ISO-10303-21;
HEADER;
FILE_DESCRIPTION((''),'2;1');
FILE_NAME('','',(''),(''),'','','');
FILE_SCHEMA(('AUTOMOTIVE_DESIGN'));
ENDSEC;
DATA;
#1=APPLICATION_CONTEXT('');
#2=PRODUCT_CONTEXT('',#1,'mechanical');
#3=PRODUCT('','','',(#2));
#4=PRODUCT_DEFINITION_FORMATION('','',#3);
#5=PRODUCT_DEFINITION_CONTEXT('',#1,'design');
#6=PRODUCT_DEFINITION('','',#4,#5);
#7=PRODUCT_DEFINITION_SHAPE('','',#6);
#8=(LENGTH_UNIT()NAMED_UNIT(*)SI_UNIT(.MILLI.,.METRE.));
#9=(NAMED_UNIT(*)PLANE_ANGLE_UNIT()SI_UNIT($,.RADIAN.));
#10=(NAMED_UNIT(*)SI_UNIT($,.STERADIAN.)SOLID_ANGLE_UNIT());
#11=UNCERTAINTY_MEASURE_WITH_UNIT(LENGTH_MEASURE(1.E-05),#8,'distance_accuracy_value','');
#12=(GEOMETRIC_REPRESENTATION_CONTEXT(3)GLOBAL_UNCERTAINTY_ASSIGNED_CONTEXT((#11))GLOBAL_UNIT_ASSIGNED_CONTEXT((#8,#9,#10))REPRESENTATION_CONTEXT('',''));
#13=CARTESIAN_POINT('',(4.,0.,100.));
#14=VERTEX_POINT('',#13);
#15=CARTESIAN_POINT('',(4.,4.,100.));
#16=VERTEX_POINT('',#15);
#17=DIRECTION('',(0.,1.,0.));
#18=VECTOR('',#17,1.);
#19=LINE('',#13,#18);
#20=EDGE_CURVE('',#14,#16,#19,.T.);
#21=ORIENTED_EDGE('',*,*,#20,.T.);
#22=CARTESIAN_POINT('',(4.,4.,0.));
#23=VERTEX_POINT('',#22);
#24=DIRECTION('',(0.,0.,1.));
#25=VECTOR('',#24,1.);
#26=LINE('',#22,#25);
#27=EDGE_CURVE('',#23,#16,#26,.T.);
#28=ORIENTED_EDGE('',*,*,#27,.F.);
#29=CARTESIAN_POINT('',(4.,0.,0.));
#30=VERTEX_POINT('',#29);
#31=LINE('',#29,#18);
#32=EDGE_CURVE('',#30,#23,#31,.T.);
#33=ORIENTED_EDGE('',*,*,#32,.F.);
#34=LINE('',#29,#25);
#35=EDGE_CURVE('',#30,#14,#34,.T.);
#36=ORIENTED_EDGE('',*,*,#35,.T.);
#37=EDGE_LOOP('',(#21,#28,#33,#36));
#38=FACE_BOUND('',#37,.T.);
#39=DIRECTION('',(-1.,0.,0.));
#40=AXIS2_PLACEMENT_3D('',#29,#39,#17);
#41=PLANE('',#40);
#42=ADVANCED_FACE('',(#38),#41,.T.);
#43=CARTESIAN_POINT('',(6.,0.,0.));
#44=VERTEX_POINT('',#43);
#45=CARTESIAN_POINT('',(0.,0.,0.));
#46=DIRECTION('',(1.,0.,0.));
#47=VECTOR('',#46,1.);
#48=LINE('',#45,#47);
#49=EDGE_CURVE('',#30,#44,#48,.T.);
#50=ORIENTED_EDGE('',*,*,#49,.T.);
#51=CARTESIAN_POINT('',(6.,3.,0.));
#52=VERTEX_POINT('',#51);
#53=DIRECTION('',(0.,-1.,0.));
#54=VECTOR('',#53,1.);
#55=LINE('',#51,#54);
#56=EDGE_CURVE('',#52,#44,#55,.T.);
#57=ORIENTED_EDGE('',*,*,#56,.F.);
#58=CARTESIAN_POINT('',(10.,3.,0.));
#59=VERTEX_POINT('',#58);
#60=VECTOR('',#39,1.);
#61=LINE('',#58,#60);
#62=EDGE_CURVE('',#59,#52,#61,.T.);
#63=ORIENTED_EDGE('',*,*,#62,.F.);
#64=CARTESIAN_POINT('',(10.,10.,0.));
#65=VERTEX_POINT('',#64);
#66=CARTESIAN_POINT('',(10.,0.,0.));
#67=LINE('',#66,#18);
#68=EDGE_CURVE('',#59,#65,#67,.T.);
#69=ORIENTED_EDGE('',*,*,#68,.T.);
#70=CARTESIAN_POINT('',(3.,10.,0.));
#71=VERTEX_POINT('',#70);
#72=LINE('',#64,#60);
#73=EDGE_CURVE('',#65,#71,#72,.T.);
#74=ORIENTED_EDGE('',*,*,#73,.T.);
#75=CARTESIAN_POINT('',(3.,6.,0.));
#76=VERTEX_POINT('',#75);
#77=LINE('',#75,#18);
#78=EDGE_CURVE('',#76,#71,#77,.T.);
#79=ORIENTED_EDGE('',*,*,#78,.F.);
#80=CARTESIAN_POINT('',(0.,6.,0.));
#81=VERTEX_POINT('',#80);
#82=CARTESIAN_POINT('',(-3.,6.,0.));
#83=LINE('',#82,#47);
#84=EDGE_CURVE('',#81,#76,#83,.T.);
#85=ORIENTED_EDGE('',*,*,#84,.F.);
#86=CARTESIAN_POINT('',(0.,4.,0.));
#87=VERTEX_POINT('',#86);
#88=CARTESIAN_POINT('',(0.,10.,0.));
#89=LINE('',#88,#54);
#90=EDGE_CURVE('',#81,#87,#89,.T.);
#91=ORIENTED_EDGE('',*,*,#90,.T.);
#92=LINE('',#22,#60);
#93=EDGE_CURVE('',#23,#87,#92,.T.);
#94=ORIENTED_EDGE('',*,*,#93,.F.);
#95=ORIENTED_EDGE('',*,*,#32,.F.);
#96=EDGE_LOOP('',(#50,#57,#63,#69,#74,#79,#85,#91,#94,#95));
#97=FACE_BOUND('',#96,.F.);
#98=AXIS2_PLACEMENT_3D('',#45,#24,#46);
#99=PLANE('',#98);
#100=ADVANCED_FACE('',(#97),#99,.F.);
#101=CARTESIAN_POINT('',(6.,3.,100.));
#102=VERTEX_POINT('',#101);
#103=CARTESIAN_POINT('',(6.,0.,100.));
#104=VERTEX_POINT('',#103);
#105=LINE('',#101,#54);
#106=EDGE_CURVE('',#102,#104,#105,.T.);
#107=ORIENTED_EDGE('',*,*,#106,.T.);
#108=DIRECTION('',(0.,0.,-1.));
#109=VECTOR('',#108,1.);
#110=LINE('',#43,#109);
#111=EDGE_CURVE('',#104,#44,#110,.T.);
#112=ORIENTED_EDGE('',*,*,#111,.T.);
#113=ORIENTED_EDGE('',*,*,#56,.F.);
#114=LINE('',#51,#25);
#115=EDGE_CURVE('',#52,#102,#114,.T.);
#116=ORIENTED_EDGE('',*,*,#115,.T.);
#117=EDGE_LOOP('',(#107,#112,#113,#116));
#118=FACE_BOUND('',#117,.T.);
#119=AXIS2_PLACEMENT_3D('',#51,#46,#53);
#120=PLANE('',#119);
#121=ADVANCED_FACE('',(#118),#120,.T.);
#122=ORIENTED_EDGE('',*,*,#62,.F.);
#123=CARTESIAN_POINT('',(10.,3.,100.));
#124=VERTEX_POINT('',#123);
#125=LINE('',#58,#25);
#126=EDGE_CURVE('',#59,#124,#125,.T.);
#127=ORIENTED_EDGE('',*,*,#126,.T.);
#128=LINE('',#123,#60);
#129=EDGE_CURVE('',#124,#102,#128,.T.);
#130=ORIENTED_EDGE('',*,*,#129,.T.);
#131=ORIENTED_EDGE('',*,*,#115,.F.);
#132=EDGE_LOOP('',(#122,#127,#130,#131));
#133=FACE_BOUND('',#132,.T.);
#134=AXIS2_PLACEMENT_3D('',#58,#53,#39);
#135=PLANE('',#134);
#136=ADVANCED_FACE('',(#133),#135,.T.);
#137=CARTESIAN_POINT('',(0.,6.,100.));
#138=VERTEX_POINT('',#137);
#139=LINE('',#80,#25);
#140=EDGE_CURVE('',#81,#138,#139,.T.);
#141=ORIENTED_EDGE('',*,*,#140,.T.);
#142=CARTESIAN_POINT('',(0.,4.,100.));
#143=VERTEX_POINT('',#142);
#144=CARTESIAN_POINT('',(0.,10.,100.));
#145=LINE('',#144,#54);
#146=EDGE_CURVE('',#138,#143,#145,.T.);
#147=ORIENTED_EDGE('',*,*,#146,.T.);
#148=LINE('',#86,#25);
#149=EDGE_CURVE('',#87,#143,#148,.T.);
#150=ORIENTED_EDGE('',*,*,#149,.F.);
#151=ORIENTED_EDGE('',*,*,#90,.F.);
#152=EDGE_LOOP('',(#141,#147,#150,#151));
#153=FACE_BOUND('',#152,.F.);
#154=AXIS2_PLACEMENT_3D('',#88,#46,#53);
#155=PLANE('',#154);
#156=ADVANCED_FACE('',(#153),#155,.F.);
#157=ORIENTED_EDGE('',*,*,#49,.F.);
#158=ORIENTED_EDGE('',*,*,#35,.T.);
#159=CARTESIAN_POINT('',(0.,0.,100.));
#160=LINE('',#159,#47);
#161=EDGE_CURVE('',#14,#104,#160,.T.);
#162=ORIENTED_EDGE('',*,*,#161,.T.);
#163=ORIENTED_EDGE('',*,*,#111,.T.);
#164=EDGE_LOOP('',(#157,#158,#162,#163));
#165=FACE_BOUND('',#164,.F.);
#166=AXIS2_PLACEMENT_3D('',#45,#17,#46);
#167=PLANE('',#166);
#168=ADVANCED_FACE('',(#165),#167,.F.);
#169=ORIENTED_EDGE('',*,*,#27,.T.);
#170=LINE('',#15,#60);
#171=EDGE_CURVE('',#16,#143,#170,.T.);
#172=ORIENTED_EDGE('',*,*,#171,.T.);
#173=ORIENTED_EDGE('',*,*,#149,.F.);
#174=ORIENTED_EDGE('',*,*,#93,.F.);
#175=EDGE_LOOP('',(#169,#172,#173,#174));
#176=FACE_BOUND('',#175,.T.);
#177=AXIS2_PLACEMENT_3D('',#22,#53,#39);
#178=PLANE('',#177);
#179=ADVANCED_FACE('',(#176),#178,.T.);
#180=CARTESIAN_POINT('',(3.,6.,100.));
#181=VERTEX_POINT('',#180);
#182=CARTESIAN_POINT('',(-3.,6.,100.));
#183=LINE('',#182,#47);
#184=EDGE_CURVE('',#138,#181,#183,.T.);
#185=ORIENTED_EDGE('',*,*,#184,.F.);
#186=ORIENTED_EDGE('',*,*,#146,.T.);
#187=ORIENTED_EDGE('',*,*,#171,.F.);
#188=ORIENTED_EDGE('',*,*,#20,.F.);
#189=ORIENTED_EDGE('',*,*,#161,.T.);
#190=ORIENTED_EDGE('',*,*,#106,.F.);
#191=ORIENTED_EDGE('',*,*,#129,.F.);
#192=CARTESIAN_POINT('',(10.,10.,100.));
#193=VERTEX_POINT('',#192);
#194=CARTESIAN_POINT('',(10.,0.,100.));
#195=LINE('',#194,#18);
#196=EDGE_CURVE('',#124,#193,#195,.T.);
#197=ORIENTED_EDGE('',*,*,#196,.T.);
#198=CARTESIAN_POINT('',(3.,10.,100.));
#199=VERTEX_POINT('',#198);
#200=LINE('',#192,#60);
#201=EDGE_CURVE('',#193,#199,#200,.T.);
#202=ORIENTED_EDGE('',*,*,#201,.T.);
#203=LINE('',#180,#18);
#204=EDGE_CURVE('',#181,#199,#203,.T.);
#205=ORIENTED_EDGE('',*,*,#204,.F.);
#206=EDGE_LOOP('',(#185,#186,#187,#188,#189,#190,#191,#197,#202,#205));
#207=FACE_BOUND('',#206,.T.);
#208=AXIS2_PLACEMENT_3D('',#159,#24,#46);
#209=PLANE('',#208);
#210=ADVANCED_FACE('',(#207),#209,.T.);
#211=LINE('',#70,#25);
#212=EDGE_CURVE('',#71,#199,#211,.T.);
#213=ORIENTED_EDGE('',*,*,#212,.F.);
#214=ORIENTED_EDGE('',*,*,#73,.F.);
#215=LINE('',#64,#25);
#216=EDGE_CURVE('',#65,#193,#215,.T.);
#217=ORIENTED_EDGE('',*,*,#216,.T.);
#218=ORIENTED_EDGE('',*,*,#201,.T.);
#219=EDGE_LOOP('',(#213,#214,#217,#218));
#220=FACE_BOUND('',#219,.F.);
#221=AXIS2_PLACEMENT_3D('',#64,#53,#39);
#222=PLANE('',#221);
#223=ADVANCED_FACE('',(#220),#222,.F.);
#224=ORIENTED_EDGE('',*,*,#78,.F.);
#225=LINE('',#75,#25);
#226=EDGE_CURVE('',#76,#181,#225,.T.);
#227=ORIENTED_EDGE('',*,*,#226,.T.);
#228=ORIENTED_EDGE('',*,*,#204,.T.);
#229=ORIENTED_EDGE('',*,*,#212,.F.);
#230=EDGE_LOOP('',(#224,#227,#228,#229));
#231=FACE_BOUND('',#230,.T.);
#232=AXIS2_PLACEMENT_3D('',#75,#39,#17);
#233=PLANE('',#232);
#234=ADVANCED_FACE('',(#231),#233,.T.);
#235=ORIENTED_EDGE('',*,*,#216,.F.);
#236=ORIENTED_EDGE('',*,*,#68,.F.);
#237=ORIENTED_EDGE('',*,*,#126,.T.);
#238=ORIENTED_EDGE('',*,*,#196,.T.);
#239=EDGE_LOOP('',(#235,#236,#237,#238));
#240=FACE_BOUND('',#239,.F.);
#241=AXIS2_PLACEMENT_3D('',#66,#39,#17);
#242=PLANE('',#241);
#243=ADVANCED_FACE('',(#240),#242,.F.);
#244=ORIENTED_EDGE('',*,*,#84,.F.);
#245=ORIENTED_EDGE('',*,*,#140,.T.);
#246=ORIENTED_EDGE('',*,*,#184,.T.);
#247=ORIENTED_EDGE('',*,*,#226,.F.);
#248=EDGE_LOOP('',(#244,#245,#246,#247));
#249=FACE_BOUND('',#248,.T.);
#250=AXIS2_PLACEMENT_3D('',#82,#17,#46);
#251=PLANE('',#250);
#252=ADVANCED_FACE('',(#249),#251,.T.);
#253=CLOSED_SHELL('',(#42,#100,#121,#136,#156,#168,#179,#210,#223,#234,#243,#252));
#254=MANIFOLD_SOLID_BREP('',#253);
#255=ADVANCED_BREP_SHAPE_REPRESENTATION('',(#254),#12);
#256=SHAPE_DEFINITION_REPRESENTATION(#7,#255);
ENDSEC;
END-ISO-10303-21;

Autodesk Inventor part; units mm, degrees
ref_plane "YZ Plane" through (0, 0, 0) normal (1, 0, 0) x (0, 1, 0)
ref_plane "XZ Plane" through (0, 0, 0) normal (0, 1, 0) x (-1, 0, 0)
sketch "Skizze1" plane through (0, 0, 0) normal (0, 0, 1) x (1, 0, 0)
  line L0 (0, 0) -> (10, 0)
  line L1 (10, 0) -> (10, 10)
  line L2 (10, 10) -> (0, 10)
  line L3 (0, 10) -> (0, 0)
extrude "Extrusion1" add sketch "Skizze1" along normal blind 100
sketch "Skizze2" plane through (0, 0, 0) normal (0, 0, 1) x (1, 0, 0)
  line L0 (0, 0) -> (4, 0)
  line L1 (4, 0) -> (4, 4)
  line L2 (4, 4) -> (0, 4)
  line L3 (0, 4) -> (0, 0)
extrude "Extrusion2" cut sketch "Skizze2" along normal blind 100
sketch "Skizze3" plane through (0, 0, 0) normal (0, 0, 1) x (1, 0, 0)
  line L0 (-3, 6) -> (3, 6)
  line L1 (3, 6) -> (3, 10)
  line L2 (3, 10) -> (-3, 10)
  line L3 (-3, 10) -> (-3, 6)
extrude "Extrusion3" cut sketch "Skizze3" along normal blind 100
sketch "Skizze4" plane through (0, 0, 0) normal (0, 0, 1) x (1, 0, 0)
  line L0 (-3, -10) -> (3, -10)
  line L1 (3, -10) -> (3, -6)
  line L2 (3, -6) -> (-3, -6)
  line L3 (-3, -6) -> (-3, -10)
extrude "Extrusion4" cut sketch "Skizze4" along normal blind 100
sketch "Skizze5" plane through (0, 0, 0) normal (0, 0, 1) x (1, 0, 0)
  line L0 (-10, -3) -> (-6, -3)
  line L1 (-6, -3) -> (-6, 3)
  line L2 (-6, 3) -> (-10, 3)
  line L3 (-10, 3) -> (-10, -3)
extrude "Extrusion5" cut sketch "Skizze5" along normal blind 100
sketch "Skizze6" plane through (0, 0, 0) normal (0, 0, 1) x (1, 0, 0)
  line L0 (6, -3) -> (10, -3)
  line L1 (10, -3) -> (10, 3)
  line L2 (10, 3) -> (6, 3)
  line L3 (6, 3) -> (6, -3)
extrude "Extrusion6" cut sketch "Skizze6" along normal blind 100
ref_plane "Arbeitsebene1" through (0, 0, 100) normal (0, 0, 1) x (1, 0, 0)
sketch "Skizze7" plane through (0, 0, 0) normal (0, 0, 1) x (1, 0, 0)
  circle A0 centre (0, 0) radius 2.5
extrude "Extrusion7" cut sketch "Skizze7" along normal blind 10
sketch "Skizze8" plane through (0, 0, 100) normal (0, 0, 1) x (1, 0, 0)
  circle A0 centre (0, 0) radius 2.5
extrude "Extrusion8" cut sketch "Skizze8" along normal blind 10
properties part number "Aluprofil_20x20_H100"
